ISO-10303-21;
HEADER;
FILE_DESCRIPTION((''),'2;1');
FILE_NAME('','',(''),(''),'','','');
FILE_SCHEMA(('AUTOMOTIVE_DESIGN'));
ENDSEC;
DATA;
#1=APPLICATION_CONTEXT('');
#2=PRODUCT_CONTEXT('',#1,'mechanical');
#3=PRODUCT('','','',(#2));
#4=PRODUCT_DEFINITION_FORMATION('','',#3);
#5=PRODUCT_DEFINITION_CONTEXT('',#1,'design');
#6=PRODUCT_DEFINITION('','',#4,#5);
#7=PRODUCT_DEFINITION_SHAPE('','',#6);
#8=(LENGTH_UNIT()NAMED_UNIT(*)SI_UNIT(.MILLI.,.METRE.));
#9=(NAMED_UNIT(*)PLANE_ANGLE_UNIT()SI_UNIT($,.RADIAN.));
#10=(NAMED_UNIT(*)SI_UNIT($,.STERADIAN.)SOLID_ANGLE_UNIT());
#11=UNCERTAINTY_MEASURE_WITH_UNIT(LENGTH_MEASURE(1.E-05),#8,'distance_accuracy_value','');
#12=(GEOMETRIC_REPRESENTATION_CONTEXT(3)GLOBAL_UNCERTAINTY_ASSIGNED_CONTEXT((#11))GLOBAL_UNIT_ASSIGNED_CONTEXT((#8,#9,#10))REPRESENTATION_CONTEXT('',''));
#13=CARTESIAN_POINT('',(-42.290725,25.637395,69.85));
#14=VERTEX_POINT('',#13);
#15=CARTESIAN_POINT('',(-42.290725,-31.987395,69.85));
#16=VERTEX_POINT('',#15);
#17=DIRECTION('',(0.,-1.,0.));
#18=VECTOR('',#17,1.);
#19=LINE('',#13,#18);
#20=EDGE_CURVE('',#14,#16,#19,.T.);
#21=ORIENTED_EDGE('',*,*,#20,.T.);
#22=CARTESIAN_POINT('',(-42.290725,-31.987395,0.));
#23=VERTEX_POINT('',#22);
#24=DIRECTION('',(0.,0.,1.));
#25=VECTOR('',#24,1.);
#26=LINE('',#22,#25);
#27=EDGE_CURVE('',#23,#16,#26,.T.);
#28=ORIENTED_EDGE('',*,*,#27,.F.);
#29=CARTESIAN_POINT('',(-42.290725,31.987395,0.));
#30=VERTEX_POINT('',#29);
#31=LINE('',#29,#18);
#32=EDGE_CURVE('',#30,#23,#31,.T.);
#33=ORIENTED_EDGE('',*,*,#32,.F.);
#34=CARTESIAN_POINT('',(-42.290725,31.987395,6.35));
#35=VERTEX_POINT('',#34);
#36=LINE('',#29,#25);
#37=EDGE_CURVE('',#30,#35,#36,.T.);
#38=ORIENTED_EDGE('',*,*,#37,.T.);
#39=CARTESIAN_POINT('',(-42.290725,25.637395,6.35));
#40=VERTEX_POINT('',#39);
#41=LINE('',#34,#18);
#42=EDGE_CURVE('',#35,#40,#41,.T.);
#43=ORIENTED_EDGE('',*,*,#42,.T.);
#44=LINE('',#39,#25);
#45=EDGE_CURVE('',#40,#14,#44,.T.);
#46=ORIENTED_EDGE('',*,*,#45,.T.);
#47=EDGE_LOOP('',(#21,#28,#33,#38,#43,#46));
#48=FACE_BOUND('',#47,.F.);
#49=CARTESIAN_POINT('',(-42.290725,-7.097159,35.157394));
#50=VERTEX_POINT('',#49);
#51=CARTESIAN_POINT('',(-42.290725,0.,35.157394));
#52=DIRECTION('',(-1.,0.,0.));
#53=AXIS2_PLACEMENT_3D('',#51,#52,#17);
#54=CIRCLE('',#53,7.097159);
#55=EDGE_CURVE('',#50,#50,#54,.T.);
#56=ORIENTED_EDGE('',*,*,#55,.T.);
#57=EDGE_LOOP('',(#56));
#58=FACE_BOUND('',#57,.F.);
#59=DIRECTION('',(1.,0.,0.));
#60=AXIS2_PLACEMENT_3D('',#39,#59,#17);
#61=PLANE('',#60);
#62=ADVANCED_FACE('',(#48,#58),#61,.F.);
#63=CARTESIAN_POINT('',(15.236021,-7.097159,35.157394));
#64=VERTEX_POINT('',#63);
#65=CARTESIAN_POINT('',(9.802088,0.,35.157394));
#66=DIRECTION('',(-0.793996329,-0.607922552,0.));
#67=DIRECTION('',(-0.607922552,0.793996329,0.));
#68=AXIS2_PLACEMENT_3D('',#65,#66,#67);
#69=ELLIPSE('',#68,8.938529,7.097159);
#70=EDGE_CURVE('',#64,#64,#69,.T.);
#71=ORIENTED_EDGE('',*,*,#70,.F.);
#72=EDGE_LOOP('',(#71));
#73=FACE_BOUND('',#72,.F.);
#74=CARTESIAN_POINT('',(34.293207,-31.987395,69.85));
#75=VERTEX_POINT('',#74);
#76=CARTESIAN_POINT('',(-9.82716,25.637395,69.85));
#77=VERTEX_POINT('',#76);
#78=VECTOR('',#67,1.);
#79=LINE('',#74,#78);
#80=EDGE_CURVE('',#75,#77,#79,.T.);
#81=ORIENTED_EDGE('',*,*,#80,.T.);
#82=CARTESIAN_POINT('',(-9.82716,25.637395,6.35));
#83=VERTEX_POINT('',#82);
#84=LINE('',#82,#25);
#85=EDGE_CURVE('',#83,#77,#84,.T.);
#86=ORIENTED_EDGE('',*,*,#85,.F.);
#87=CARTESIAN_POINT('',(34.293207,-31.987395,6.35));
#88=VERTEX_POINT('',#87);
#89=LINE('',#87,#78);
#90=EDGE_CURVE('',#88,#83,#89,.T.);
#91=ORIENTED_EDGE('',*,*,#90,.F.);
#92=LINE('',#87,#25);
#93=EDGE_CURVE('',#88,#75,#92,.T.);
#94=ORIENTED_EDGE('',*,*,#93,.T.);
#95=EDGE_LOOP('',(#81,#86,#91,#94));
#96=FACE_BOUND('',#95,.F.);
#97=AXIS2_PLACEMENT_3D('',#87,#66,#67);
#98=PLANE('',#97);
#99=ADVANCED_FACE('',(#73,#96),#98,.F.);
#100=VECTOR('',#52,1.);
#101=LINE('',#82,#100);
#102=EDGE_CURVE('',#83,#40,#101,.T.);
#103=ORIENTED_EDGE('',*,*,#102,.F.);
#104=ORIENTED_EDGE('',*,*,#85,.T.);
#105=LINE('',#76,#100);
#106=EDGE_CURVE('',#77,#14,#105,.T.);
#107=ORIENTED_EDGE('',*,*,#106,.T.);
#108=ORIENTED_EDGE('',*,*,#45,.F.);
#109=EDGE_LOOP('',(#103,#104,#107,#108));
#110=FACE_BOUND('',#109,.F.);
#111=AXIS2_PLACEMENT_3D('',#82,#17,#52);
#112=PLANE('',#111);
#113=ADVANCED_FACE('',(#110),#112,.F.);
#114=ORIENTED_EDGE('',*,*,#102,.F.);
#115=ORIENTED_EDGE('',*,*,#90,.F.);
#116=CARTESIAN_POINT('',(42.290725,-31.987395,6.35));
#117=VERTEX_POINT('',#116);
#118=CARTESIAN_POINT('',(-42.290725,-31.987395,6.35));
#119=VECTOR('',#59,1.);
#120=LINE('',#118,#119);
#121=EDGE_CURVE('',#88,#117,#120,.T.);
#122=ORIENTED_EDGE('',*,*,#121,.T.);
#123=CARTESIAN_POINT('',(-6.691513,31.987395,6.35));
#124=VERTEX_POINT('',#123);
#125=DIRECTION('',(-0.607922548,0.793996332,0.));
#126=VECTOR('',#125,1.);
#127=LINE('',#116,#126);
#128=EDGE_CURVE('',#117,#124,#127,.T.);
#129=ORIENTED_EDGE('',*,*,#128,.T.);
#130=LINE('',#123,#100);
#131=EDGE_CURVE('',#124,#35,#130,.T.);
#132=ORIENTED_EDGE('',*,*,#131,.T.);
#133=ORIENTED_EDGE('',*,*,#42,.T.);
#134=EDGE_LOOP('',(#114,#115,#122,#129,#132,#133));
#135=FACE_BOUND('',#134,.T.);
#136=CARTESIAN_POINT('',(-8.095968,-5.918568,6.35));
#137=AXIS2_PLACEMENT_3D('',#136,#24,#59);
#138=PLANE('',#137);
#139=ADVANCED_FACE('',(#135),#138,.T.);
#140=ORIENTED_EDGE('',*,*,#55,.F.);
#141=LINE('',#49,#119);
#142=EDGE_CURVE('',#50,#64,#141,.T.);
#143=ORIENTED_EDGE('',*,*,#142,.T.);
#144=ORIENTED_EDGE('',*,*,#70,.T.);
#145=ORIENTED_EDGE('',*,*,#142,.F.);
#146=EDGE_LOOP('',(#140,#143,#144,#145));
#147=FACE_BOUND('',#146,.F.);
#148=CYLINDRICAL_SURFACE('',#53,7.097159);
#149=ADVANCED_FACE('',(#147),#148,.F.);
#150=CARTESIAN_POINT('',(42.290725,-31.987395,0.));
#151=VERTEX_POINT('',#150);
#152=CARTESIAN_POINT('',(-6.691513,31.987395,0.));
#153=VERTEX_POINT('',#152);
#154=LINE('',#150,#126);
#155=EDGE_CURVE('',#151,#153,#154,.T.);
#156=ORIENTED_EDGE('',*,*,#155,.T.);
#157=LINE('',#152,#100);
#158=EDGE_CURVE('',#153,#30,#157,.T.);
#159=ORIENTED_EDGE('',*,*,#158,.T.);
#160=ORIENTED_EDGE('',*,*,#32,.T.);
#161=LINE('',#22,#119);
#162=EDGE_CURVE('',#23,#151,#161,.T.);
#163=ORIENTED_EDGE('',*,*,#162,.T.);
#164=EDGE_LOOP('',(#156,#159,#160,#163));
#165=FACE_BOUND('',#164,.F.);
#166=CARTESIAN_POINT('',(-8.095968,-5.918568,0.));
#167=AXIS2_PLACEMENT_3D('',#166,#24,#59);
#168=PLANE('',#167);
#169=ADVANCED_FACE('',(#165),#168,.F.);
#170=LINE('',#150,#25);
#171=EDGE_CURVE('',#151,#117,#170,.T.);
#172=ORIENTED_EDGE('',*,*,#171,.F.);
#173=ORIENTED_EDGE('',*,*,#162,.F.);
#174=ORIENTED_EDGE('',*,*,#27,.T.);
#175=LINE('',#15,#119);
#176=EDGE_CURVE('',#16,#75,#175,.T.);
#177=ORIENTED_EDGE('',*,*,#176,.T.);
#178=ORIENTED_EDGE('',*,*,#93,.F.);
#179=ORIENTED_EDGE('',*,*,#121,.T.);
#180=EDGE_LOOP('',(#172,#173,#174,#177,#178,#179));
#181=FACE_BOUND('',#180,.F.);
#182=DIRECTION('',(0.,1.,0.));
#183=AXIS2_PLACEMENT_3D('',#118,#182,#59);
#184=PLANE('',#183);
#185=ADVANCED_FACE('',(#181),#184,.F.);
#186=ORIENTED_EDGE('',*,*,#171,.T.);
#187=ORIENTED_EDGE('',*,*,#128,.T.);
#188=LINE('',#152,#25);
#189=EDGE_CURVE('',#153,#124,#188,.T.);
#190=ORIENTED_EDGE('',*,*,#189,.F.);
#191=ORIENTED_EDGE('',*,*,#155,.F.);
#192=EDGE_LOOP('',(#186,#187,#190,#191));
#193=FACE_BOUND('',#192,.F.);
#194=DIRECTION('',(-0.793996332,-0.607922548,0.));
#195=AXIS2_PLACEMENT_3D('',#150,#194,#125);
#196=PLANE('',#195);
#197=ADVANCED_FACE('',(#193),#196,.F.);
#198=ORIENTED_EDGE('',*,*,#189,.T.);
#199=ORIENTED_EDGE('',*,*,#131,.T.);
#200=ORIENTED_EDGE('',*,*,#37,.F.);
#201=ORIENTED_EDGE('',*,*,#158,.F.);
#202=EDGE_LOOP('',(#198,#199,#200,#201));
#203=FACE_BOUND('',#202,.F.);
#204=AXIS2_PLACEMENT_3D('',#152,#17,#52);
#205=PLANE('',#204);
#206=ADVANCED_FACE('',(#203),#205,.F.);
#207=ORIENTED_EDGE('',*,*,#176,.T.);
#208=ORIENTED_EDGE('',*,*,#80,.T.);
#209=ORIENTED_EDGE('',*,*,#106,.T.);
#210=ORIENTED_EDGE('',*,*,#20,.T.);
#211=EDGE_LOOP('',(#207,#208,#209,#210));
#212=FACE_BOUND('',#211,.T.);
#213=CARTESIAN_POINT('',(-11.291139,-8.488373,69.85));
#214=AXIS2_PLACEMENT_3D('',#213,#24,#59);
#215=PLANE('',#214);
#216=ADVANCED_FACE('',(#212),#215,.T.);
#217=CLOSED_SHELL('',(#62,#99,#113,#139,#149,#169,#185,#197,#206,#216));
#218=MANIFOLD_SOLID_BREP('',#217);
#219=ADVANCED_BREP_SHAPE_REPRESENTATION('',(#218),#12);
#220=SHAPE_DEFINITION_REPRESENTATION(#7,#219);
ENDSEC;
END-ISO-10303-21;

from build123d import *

# Parameters (mm, degrees)
F1_DEPTH = 6.35
F3_DEPTH = 63.5
F4_R     = 7.097159
F5_DEPTH = 159.004


with BuildPart() as f1:
    # F0 (on Top) → F1 (new body)
    with BuildSketch(Plane.XY):
        Polygon((-6.691513, 31.987395), (-42.290725, 31.987395), (-42.290725, -31.987395), (42.290725, -31.987395), align=None)
    extrude(amount=F1_DEPTH)

    # F2 (on face) → F3 (join)
    with BuildSketch(Plane.XY.offset(6.35)):
        Polygon((-9.82716, 25.637395), (-42.290725, 25.637395), (-42.290725, -31.987395), (34.293207, -31.987395), align=None)
    extrude(amount=F3_DEPTH)

    # F4 (on face) → F5 (cut)
    with BuildSketch(Plane(origin=(-42.290725, 0, 0), x_dir=(0, -1, 0), z_dir=(-1, 0, 0))):
        with Locations((0, 35.157394)):
            Circle(F4_R)
    extrude(amount=-F5_DEPTH, mode=Mode.SUBTRACT)


solid = f1.part
